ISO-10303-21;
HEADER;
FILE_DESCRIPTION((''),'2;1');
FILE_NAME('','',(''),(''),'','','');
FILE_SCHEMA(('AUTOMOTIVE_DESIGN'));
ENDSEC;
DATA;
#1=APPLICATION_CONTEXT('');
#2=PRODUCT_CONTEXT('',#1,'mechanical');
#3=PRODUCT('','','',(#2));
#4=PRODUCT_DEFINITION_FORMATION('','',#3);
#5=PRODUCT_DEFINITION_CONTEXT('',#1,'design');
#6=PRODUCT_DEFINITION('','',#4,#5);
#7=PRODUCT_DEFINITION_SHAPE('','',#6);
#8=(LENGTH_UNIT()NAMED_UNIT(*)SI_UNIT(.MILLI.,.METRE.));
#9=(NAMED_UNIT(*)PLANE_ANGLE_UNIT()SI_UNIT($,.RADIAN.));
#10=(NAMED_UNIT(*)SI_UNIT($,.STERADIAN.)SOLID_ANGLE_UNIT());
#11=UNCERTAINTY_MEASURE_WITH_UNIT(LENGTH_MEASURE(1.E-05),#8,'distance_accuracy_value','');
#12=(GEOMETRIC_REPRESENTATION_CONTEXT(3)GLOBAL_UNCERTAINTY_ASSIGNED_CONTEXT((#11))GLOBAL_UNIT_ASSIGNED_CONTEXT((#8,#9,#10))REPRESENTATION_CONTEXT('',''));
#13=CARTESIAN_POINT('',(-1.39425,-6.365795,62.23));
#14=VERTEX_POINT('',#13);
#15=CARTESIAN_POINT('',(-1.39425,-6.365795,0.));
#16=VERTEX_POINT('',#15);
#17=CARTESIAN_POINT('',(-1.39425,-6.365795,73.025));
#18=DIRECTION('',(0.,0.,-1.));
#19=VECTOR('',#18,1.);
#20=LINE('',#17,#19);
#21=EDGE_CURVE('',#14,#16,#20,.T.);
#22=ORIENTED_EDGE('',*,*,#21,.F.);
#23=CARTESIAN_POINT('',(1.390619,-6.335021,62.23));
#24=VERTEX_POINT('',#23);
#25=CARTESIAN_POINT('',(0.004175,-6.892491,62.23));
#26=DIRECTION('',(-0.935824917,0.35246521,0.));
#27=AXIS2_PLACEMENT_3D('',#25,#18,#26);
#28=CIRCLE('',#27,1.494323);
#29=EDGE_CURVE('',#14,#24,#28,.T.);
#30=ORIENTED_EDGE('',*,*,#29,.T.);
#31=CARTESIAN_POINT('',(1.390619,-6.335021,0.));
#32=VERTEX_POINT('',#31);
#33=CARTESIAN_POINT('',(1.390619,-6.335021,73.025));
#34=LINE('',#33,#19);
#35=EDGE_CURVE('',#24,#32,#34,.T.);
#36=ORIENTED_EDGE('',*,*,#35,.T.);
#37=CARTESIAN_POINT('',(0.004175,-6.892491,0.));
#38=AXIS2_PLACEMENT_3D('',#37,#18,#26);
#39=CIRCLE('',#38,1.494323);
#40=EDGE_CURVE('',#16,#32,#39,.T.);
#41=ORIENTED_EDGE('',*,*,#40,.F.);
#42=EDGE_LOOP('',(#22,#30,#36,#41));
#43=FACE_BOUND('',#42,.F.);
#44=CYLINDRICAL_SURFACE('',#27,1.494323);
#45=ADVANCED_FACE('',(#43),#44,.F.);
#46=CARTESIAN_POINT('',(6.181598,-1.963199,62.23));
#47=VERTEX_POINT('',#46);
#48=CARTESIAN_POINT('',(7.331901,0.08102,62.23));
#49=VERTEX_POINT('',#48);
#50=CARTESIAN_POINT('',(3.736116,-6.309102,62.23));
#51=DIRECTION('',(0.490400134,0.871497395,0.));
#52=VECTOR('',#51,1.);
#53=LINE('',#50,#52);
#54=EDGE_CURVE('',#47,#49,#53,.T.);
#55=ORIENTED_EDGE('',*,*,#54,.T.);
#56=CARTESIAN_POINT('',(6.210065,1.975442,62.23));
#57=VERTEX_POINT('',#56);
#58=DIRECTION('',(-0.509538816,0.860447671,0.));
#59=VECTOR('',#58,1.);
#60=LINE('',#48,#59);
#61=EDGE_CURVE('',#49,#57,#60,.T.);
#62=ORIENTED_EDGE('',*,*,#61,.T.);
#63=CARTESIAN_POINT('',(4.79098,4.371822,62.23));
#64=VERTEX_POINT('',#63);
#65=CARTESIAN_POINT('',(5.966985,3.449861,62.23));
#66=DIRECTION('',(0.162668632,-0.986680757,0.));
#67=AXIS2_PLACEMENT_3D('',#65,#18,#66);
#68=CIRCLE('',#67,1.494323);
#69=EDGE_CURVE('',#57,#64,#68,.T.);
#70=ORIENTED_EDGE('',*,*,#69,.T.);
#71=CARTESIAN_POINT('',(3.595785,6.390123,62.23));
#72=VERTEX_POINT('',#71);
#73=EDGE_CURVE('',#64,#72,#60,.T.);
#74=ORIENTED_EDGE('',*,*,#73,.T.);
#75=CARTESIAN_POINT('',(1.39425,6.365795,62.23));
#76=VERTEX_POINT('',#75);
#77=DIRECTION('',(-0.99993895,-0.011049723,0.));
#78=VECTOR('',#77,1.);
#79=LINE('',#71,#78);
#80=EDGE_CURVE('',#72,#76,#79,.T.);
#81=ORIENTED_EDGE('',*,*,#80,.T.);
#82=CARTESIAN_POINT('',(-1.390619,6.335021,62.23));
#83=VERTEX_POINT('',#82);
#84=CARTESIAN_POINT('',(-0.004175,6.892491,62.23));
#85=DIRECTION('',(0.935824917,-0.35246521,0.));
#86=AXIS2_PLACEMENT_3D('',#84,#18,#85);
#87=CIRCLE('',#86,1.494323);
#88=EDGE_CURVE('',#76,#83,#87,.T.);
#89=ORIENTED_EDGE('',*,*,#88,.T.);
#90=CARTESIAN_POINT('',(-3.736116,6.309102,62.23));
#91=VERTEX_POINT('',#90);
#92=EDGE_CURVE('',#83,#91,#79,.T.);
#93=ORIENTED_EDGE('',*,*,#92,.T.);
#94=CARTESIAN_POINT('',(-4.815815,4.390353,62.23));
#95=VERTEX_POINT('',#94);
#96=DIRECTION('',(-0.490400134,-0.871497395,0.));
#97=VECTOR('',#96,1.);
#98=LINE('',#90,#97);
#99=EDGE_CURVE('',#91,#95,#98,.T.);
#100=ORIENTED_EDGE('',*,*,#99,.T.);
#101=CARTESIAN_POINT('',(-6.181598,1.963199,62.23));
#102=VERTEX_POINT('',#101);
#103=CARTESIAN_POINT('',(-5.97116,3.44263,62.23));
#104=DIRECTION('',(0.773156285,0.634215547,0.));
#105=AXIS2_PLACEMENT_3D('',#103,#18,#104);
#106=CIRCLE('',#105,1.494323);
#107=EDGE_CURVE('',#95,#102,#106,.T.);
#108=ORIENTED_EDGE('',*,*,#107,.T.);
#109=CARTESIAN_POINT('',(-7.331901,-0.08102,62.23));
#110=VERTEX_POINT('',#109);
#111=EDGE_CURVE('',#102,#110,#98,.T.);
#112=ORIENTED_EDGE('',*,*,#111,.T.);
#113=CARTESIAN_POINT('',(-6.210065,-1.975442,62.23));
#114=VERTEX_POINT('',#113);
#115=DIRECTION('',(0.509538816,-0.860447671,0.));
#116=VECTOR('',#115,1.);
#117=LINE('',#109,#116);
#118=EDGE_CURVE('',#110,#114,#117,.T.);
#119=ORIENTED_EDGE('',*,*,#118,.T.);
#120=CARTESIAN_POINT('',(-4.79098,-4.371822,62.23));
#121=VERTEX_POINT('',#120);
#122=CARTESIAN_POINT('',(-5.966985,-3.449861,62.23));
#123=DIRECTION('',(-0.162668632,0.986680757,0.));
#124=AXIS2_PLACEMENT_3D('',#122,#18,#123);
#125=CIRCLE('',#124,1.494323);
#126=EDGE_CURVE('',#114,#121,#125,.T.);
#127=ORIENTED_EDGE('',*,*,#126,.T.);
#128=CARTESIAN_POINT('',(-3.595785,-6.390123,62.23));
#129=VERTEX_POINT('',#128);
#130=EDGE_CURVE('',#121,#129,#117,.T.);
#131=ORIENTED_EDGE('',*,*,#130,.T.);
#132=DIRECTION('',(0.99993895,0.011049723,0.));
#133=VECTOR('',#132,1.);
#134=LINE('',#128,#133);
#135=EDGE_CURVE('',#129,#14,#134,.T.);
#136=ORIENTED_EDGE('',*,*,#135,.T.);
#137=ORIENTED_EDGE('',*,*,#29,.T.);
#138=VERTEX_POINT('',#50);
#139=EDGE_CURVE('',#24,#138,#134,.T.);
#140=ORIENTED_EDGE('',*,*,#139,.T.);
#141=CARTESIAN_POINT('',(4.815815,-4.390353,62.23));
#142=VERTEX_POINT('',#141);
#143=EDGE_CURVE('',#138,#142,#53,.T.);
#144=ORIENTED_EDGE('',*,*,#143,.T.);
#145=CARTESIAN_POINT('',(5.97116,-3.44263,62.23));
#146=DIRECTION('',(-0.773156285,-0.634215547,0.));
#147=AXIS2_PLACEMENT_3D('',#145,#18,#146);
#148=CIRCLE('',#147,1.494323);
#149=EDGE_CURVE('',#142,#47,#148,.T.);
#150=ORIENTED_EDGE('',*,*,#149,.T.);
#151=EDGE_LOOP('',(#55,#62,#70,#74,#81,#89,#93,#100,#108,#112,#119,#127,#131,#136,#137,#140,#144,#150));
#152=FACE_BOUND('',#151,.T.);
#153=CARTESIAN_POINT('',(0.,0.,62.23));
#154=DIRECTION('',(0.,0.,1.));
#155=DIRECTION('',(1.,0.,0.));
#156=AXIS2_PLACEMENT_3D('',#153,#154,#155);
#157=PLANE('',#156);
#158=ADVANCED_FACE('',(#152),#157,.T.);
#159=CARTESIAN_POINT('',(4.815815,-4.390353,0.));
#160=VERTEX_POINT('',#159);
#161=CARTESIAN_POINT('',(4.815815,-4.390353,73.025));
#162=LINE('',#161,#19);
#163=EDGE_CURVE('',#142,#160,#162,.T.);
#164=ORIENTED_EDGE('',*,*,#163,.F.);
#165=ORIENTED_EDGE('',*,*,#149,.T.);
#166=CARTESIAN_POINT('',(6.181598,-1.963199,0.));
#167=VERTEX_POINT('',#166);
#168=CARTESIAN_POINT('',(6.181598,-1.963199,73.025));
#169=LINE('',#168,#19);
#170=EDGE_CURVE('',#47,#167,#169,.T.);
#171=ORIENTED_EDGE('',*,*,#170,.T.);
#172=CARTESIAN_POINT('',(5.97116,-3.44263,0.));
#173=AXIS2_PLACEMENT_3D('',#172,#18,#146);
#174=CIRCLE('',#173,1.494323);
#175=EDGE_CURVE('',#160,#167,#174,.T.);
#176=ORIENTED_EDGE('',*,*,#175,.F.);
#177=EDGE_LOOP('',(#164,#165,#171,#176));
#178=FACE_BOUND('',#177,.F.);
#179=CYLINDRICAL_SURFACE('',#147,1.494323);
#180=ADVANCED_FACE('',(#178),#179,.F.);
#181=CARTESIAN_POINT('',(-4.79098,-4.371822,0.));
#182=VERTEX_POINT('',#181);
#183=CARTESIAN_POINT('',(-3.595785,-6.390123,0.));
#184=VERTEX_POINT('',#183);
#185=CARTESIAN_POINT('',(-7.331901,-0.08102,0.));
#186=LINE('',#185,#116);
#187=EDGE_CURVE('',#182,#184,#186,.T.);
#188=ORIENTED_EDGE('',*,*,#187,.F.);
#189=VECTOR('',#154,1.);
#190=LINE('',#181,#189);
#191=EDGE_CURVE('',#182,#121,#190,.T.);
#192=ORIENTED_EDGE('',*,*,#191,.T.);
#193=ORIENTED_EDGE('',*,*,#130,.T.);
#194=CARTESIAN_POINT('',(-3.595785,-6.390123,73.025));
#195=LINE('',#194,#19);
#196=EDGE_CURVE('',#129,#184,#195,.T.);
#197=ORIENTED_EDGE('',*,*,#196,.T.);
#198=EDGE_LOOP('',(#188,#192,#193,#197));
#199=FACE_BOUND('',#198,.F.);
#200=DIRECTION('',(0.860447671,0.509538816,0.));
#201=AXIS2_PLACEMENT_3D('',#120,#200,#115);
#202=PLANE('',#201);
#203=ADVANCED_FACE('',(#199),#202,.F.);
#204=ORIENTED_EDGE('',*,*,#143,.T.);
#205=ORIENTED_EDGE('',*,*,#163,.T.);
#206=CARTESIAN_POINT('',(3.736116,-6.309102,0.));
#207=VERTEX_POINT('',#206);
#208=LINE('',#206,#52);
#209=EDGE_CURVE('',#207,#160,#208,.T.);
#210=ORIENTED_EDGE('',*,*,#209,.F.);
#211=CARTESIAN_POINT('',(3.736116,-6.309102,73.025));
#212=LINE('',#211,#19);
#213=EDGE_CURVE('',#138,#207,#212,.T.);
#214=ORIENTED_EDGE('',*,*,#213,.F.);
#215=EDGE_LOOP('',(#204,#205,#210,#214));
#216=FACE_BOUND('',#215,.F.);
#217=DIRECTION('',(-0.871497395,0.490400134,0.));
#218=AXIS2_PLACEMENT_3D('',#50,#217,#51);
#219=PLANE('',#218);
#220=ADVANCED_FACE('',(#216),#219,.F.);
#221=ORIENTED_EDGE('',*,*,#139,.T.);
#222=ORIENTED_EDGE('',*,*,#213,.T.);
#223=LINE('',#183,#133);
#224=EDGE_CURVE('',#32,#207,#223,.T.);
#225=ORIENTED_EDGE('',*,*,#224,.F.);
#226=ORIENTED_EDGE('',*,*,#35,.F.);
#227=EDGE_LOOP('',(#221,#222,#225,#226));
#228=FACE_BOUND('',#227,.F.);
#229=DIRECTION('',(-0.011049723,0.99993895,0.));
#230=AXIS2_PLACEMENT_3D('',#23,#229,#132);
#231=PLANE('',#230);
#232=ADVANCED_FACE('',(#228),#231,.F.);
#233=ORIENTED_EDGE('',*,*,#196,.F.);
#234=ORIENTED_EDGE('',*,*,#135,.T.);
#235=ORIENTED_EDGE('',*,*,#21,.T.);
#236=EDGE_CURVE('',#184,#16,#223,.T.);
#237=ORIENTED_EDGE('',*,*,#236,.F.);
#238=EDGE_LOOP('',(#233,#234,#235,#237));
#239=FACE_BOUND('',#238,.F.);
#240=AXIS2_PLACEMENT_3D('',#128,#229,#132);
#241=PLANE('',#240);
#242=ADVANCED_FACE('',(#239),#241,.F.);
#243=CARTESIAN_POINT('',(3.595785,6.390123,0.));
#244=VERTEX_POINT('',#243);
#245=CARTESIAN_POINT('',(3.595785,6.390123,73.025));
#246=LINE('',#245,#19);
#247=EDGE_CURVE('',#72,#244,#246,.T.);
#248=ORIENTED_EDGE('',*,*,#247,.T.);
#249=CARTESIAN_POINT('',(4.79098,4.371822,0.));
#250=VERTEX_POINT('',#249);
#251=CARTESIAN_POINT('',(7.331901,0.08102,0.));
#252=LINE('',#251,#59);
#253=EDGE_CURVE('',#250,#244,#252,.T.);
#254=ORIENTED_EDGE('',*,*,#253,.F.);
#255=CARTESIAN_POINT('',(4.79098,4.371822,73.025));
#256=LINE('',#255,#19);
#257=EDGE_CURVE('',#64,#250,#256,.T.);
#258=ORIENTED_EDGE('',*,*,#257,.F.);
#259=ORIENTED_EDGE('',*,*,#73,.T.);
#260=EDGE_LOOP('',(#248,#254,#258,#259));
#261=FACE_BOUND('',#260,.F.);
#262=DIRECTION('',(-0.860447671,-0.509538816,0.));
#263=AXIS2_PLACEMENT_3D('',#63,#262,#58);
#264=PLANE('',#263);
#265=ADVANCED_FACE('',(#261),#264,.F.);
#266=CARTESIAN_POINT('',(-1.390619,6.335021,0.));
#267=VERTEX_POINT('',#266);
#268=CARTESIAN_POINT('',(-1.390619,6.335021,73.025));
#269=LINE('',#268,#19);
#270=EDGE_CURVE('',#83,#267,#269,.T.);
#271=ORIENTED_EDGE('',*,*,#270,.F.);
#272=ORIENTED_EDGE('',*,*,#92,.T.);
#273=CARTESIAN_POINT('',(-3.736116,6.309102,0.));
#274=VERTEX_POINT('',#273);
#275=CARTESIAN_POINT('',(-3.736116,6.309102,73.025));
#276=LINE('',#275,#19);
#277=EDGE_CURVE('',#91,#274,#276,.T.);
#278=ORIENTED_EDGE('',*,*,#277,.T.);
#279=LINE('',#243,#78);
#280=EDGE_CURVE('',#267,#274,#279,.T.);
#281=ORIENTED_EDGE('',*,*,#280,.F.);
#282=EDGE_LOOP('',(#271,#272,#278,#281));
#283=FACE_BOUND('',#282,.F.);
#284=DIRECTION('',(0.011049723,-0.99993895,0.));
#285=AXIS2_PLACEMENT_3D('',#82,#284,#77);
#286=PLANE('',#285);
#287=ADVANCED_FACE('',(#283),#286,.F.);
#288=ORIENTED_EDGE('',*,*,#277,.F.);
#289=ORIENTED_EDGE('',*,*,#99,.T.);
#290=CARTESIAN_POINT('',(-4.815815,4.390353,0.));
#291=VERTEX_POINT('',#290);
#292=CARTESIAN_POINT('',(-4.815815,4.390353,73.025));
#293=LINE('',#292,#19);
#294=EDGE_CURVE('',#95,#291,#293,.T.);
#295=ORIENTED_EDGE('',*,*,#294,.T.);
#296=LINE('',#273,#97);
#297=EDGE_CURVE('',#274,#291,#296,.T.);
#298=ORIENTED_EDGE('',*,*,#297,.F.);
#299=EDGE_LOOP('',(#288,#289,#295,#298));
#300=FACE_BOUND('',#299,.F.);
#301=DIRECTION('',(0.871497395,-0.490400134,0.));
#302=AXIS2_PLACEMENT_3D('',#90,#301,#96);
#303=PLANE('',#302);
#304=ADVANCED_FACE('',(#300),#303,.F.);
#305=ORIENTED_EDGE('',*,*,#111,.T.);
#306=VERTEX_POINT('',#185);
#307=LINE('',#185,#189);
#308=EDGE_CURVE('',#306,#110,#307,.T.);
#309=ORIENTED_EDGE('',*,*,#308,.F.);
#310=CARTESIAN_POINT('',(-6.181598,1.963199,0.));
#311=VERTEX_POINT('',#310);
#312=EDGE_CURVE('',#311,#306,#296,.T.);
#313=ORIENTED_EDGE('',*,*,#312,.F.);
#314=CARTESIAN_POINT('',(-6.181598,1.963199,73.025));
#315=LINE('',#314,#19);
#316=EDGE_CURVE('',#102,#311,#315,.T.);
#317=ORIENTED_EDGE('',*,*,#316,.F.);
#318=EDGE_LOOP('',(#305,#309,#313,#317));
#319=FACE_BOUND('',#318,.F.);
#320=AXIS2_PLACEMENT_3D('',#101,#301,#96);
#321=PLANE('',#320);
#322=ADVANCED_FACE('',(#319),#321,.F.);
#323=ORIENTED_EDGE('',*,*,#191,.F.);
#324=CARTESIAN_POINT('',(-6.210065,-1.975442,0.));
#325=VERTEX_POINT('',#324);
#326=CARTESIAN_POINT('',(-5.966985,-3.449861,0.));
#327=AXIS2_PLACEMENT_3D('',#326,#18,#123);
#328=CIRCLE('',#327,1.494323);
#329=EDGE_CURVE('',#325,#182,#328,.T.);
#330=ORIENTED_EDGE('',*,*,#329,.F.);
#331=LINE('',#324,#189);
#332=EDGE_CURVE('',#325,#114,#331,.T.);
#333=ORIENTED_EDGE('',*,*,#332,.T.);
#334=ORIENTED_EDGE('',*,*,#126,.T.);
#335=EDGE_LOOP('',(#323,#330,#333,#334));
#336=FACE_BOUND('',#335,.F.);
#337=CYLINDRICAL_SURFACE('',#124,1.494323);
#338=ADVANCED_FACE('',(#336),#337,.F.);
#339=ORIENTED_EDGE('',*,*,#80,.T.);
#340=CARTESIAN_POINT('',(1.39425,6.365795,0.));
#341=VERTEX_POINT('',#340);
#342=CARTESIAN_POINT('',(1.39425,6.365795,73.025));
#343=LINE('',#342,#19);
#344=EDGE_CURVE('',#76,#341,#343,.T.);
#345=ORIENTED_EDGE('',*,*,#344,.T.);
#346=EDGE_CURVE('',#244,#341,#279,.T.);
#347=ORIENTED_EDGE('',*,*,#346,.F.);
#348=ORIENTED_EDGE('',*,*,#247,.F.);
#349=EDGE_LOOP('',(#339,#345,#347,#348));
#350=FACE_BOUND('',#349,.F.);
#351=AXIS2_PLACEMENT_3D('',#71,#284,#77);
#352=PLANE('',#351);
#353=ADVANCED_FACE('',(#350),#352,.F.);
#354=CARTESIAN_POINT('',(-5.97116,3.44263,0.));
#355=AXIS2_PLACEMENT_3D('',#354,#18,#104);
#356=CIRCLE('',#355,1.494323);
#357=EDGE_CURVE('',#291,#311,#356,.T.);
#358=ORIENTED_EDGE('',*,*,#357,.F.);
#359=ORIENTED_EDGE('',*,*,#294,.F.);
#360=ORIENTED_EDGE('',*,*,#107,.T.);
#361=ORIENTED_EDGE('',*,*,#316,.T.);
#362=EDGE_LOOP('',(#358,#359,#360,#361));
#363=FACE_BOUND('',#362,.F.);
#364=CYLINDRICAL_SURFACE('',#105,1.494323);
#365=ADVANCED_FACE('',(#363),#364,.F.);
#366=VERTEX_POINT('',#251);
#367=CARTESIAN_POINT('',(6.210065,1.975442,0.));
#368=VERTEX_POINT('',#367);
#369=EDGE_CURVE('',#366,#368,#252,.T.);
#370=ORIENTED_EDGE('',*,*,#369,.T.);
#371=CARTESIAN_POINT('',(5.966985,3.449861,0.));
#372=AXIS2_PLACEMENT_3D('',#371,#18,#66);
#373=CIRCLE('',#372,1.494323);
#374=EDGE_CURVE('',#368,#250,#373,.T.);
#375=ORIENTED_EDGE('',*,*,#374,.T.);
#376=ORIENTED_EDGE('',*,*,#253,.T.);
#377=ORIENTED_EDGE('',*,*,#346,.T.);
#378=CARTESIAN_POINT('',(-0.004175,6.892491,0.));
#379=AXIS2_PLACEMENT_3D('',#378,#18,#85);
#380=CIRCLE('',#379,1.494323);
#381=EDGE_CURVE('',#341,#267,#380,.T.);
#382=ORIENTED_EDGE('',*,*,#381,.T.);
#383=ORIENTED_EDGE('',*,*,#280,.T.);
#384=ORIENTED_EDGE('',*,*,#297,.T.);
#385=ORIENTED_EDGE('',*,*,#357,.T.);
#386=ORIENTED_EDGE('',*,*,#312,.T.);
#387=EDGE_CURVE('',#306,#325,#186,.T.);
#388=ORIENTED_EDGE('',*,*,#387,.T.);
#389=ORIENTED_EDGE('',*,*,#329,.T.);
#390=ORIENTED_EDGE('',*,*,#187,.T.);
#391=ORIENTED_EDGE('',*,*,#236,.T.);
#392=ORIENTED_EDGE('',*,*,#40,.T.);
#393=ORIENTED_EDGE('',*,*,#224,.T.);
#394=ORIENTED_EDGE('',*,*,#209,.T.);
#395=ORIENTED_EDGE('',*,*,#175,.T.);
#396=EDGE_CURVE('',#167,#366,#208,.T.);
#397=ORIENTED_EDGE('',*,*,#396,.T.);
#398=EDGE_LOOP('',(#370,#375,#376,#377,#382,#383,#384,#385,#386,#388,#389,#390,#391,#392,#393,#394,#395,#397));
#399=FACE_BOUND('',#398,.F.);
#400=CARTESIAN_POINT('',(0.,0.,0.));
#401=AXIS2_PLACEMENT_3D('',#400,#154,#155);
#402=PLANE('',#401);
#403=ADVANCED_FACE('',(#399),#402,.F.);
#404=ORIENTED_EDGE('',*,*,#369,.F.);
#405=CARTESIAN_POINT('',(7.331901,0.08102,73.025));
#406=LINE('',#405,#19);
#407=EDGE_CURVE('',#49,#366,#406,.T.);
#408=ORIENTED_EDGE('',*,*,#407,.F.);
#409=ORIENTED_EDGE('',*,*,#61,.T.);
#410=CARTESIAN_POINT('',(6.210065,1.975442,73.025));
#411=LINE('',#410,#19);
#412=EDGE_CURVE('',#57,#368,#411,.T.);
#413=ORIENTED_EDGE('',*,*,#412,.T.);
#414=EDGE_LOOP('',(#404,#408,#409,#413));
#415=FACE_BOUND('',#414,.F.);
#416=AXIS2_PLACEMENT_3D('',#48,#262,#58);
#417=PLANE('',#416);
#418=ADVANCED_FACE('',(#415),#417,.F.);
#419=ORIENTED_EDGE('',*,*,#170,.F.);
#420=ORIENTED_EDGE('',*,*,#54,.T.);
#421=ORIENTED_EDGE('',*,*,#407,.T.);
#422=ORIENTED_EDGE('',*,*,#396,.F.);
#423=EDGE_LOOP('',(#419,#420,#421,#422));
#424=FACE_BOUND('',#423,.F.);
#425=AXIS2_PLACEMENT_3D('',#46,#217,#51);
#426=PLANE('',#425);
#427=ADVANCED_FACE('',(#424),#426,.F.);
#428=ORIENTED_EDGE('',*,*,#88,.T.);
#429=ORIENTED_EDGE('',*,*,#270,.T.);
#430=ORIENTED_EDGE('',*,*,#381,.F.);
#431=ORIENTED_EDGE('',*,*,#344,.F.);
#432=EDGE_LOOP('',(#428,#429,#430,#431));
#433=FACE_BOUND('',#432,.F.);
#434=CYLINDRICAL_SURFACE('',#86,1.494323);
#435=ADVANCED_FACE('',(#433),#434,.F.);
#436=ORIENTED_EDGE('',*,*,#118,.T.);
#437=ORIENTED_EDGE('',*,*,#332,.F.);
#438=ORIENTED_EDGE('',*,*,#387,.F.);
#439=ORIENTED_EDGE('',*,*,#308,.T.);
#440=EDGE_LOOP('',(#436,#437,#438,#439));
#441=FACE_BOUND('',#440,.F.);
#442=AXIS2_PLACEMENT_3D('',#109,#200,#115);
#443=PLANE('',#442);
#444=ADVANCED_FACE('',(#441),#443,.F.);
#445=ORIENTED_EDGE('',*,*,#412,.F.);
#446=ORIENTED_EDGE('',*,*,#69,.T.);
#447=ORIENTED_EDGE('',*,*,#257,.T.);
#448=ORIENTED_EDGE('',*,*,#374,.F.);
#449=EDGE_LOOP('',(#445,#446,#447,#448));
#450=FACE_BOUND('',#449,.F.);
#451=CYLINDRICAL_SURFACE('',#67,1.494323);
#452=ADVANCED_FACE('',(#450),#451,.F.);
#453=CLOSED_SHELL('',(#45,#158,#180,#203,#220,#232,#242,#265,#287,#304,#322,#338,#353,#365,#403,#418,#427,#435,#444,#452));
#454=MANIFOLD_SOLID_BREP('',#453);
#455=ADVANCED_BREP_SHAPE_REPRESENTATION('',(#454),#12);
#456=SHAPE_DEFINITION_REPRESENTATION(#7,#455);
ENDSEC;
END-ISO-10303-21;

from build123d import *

# Parameters (mm, degrees)
F1_DEPTH = 62.23
F3_DEPTH = 62.23
F4_DEPTH = 10.795
F5_DEPTH = 10.795


with BuildPart() as f1:
    # F0 (on Top) → F1 (new body)
    with BuildSketch(Plane.XY):
        Polygon((-7.3319007784, -0.081020421), (-3.5957846464, -6.3901225426), (3.736116132, -6.3091021217), (7.3319007784, 0.081020421), (3.5957846464, 6.3901225426), (-3.736116132, 6.3091021217), align=None)
    extrude(amount=F1_DEPTH)

    # F2 (on face) → F3 (cut, through all)
    with BuildSketch(Plane(origin=(0, 0, 0), x_dir=(1, 0, 0), z_dir=(0, 0, -1))):
        with BuildLine():
            ThreePointArc((-6.2100646879, 1.9754418492), (-4.6811988128, 2.6884458628), (-4.7909795689, 4.3718215705))
            Line((-4.7909795689, 4.3718215705), (-6.2100646879, 1.9754418492))
        make_face()
        with BuildLine():
            Line((1.3906187564, 6.3350208009), (-1.3942495189, 6.3657947035))
            ThreePointArc((-1.3942495189, 6.3657947035), (-0.0123369925, 5.3982600234), (1.3906187564, 6.3350208009))
        make_face()
        with BuildLine():
            Line((6.1815983253, 1.9631992305), (4.815815169, 4.3903528543))
            ThreePointArc((4.815815169, 4.3903528543), (4.6688618202, 2.7098141606), (6.1815983253, 1.9631992305))
        make_face()
        with BuildLine():
            Line((4.7909795689, -4.3718215705), (6.2100646879, -1.9754418492))
            ThreePointArc((6.2100646879, -1.9754418492), (4.6811988128, -2.6884458628), (4.7909795689, -4.3718215705))
        make_face()
        with BuildLine():
            ThreePointArc((1.3942495189, -6.3657947035), (0.0123369925, -5.3982600234), (-1.3906187564, -6.3350208009))
            Line((-1.3906187564, -6.3350208009), (1.3942495189, -6.3657947035))
        make_face()
        with BuildLine():
            ThreePointArc((-4.815815169, -4.3903528543), (-4.6688618202, -2.7098141606), (-6.1815983253, -1.9631992305))
            Line((-6.1815983253, -1.9631992305), (-4.815815169, -4.3903528543))
        make_face()
    extrude(amount=-F3_DEPTH, mode=Mode.SUBTRACT)

    # F4 (add): a face of the model
    f4_faces = [f1.faces().sort_by_distance(p)[0] for p in [
        (0, 0, 62.23),
    ]]
    extrude(f4_faces, amount=F4_DEPTH)

    # F5 (cut): a face of the model
    f5_faces = [f1.faces().sort_by_distance(p)[0] for p in [
        (0, 0, 73.025),
    ]]
    extrude(f5_faces, amount=-F5_DEPTH, mode=Mode.SUBTRACT)


solid = f1.part
